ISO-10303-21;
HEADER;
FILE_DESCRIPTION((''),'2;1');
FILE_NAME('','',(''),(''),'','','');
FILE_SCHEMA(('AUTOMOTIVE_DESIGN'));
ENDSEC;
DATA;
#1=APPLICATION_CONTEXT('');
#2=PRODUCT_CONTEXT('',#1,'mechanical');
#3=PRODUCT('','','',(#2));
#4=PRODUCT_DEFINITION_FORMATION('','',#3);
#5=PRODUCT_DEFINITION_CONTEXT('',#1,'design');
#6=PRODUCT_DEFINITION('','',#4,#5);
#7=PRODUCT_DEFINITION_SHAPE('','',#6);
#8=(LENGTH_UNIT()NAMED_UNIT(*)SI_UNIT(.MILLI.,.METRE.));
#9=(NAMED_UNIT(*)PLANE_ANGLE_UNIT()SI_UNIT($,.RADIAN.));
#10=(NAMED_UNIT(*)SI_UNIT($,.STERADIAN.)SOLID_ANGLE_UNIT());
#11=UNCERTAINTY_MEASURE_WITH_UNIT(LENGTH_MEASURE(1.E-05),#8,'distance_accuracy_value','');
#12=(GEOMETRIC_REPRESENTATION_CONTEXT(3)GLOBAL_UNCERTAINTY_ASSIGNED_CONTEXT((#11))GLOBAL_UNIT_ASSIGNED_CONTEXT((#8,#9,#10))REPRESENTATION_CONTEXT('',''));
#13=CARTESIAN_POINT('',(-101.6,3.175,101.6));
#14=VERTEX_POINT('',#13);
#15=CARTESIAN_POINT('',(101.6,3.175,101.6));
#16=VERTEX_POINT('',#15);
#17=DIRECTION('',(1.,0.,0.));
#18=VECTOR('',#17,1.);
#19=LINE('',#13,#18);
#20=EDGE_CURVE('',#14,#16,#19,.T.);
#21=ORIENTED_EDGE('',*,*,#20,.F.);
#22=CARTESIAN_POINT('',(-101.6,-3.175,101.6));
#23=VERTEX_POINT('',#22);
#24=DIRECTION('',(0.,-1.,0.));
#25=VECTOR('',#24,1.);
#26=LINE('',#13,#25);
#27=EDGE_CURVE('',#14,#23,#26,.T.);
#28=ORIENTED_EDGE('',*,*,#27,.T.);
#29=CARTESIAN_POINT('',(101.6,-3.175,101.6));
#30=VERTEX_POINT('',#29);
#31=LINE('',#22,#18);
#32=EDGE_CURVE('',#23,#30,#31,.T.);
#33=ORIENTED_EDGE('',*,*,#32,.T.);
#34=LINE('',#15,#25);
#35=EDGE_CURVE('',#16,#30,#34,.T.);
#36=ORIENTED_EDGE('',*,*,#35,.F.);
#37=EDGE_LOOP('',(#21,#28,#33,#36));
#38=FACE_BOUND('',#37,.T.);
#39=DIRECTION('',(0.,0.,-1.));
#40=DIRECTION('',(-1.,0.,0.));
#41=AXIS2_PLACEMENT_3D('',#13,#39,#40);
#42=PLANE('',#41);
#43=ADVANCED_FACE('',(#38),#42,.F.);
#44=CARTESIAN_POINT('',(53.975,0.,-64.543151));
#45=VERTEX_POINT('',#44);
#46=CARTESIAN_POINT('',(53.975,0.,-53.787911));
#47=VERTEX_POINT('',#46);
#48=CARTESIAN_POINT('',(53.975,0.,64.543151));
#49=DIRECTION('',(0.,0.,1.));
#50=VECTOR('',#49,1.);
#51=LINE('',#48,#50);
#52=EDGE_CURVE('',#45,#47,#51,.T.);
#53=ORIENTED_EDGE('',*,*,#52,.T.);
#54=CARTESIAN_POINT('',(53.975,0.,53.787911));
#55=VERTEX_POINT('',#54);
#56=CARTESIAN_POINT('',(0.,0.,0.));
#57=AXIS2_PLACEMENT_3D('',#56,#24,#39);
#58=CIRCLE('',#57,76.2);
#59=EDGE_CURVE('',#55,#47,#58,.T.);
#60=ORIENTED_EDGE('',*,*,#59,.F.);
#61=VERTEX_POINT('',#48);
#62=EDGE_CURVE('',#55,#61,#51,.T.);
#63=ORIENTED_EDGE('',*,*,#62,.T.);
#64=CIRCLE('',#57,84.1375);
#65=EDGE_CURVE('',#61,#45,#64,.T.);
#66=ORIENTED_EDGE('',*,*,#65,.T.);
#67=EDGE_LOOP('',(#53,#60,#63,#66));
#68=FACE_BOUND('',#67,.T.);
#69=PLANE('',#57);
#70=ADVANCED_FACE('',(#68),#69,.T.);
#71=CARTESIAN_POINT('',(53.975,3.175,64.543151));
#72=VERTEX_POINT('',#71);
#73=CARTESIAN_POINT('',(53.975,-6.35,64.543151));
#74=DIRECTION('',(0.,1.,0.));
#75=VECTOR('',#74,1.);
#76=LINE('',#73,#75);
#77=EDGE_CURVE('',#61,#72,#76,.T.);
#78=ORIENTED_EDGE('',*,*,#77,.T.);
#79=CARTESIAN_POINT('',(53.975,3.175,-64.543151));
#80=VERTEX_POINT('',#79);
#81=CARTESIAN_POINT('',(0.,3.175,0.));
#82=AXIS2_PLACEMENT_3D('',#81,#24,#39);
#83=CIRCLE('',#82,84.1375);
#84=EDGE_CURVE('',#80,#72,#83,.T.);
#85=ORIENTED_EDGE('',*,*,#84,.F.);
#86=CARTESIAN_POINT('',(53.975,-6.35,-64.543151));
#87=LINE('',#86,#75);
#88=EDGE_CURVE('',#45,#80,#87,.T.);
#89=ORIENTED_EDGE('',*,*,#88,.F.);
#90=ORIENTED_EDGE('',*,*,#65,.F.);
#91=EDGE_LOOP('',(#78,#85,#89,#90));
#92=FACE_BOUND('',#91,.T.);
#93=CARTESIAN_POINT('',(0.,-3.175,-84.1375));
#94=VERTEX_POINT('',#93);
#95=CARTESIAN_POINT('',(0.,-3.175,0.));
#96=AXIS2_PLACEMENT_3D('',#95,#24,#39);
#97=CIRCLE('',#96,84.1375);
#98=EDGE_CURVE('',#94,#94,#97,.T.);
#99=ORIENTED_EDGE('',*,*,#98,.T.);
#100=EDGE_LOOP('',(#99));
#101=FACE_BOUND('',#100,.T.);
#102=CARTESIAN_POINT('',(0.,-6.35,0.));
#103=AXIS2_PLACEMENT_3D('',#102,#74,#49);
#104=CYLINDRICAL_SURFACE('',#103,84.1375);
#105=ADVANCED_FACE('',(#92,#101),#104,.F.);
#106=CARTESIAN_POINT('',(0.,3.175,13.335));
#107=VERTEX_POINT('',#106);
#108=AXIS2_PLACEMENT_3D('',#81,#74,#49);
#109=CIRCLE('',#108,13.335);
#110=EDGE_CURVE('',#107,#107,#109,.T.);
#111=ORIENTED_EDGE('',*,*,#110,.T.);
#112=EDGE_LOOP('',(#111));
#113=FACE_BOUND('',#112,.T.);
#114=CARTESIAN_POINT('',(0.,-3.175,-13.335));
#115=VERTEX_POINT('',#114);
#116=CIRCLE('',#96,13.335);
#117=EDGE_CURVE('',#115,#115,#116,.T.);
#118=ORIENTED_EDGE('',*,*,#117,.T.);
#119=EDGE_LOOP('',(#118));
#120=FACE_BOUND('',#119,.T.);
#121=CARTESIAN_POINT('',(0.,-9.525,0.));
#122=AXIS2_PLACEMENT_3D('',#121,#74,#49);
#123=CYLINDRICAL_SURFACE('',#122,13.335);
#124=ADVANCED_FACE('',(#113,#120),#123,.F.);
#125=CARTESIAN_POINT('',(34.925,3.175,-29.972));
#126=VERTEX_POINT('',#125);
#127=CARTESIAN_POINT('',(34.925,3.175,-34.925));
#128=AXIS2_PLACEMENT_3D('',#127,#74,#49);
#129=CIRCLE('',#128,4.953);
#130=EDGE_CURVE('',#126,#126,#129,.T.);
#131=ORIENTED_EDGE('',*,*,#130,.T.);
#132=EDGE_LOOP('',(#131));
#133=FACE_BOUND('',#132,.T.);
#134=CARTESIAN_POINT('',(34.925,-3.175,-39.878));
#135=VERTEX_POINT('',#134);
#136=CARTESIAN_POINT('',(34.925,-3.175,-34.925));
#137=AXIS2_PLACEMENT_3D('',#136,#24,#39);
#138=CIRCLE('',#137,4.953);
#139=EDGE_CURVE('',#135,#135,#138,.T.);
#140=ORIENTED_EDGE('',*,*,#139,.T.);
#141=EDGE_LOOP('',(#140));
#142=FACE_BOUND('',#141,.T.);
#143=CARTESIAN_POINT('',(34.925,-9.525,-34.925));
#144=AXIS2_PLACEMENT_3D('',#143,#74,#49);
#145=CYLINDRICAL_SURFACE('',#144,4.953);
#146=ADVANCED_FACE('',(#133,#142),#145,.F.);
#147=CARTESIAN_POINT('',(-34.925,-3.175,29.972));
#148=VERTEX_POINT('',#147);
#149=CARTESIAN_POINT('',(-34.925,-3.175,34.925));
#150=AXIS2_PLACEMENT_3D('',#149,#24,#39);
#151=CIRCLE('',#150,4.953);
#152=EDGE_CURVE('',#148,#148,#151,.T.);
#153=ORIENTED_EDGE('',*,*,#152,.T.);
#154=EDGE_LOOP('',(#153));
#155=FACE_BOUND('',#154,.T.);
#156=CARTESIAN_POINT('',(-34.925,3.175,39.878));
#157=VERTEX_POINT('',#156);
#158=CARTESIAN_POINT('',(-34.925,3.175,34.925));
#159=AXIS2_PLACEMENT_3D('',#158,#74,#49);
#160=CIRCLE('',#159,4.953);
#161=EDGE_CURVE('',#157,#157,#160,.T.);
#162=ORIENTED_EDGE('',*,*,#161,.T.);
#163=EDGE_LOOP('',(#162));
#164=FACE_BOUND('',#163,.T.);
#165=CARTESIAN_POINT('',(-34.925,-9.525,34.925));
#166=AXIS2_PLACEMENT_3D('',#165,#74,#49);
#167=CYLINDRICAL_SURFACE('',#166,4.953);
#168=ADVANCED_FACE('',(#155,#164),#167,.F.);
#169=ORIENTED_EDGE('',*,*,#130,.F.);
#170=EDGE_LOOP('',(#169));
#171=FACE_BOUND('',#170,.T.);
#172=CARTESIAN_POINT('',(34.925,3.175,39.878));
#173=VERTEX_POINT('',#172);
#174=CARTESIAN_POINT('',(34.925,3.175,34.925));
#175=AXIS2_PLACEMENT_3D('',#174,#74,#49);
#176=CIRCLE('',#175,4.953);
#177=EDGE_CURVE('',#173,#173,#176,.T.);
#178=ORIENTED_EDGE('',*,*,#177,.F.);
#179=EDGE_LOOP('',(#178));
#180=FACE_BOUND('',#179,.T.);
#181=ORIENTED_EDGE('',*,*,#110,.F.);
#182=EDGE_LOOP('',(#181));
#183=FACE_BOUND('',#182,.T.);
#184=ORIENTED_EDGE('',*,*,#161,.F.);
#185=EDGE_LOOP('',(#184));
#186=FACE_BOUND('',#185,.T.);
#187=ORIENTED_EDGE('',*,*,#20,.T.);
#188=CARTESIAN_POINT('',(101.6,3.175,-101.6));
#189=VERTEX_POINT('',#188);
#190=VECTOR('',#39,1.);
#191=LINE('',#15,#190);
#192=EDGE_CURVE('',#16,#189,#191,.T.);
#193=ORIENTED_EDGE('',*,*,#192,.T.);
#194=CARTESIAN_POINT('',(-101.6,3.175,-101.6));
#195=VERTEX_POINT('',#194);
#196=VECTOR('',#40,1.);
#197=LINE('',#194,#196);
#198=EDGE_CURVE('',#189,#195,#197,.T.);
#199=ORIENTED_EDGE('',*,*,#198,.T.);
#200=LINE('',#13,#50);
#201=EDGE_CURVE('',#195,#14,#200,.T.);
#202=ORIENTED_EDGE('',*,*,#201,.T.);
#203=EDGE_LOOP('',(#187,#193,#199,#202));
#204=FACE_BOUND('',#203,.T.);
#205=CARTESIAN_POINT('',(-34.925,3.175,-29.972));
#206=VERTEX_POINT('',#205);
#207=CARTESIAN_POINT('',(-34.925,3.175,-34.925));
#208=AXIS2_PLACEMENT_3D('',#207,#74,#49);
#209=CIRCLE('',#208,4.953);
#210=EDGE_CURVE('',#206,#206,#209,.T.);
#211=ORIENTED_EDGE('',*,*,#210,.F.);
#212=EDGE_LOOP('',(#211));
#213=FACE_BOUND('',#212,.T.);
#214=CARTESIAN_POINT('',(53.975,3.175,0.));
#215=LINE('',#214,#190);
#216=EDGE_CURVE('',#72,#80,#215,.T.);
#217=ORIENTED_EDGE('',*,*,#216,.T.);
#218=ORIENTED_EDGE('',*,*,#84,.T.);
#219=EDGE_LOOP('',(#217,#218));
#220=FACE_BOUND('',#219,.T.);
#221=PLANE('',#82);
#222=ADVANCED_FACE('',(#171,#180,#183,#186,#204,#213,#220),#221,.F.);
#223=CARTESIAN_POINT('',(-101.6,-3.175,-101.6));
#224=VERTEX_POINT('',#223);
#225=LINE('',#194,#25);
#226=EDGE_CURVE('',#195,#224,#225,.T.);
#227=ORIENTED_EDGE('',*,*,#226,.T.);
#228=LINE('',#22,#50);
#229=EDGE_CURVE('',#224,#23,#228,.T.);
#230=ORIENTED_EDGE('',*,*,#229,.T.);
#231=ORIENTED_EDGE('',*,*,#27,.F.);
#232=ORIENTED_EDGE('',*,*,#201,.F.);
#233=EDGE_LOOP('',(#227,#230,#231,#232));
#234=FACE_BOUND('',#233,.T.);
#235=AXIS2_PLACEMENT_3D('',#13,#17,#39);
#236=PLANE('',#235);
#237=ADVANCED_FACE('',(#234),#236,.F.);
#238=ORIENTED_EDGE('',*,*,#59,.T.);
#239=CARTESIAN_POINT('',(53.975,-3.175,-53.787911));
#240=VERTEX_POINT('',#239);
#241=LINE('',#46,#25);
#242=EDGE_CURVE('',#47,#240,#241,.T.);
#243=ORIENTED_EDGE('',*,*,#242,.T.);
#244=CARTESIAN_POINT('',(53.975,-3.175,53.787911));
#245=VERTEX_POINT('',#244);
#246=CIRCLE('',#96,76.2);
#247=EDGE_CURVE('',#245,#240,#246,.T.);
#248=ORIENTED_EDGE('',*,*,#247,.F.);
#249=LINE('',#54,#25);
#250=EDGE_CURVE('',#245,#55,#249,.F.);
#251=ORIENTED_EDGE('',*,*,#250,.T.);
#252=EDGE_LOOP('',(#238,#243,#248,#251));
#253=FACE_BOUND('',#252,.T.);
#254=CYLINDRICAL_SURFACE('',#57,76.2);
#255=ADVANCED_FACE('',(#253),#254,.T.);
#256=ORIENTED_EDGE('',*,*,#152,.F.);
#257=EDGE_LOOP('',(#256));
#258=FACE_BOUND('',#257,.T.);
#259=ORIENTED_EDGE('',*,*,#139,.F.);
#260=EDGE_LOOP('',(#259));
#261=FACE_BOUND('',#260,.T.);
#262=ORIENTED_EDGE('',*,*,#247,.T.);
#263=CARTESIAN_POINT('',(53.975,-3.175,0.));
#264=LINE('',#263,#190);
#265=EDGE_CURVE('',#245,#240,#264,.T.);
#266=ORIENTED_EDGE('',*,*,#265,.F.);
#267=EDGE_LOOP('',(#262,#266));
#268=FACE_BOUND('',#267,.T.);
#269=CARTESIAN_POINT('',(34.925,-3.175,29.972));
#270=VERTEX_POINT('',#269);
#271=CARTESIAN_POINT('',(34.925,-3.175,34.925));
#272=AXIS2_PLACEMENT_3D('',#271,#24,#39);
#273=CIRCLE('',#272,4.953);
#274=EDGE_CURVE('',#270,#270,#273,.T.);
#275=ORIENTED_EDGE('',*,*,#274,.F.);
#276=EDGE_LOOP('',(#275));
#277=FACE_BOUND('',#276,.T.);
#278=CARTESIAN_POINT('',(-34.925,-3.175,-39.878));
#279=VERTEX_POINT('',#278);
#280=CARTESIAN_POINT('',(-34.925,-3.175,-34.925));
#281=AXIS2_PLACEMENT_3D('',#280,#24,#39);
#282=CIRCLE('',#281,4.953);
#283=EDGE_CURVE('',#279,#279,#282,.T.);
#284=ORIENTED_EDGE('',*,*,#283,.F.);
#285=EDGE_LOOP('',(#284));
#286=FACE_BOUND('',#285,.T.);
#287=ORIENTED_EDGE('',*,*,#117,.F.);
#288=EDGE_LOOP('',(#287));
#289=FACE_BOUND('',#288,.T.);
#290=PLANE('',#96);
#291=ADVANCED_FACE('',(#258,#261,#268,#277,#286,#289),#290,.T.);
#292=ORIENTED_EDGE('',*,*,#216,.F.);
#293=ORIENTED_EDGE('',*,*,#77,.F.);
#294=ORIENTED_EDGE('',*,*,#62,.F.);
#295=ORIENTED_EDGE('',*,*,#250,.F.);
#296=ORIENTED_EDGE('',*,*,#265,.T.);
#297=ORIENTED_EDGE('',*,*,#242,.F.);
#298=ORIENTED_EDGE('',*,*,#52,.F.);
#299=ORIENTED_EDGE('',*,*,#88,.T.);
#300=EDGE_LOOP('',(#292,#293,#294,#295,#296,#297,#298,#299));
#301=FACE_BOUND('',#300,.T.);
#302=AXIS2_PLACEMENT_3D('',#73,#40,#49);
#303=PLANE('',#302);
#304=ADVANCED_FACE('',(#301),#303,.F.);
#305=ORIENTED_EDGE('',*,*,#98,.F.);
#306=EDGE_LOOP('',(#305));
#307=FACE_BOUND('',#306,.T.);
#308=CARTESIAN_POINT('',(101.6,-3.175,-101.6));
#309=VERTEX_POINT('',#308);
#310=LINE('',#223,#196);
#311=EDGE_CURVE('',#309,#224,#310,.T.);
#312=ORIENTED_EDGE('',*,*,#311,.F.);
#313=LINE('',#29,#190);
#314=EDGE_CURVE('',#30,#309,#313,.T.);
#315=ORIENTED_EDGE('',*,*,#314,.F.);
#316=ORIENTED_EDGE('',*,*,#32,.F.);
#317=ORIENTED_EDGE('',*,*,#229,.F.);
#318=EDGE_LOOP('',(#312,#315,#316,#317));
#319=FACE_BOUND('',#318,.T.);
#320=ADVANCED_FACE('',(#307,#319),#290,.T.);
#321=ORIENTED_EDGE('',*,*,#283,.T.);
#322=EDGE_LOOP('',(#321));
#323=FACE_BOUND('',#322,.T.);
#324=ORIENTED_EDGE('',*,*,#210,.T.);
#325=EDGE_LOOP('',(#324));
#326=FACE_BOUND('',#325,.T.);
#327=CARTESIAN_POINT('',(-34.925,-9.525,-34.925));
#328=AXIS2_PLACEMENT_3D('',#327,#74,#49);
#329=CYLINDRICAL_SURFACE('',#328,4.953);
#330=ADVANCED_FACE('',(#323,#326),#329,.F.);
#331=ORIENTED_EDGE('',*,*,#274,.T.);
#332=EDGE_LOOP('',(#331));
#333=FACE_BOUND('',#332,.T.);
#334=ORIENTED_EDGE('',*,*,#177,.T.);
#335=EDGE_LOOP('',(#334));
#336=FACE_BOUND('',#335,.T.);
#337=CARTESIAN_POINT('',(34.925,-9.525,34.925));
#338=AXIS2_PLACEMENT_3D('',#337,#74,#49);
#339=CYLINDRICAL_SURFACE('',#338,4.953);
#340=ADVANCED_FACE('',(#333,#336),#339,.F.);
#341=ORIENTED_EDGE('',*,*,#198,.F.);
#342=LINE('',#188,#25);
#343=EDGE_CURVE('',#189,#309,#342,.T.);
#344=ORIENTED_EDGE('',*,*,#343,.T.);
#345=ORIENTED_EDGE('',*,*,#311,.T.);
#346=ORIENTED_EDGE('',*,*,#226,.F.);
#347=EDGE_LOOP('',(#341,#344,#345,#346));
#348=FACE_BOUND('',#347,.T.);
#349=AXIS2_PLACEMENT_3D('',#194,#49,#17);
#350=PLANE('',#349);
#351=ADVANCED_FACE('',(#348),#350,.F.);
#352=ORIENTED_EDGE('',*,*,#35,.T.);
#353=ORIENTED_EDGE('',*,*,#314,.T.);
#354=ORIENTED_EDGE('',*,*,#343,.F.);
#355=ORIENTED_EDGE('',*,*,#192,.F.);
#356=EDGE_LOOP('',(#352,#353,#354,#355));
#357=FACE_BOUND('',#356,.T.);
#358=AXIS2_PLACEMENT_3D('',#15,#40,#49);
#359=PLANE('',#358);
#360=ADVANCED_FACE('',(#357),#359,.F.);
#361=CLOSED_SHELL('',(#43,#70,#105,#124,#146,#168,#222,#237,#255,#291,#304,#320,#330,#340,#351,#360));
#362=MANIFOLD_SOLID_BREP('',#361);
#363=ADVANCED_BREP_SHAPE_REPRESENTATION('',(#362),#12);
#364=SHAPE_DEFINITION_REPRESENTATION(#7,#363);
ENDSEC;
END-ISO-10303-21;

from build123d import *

# Parameters (mm, degrees)
SKETCH1_W           = 203.2
SKETCH1_H           = 203.2
BOSS_EXTRUDE1_DEPTH = 3.175
CUT_EXTRUDE1_DEPTH  = 6.35
SKETCH3_R           = 4.953
SKETCH3_R_2         = 13.335
CUT_EXTRUDE2_DEPTH  = 12.7
CUT_EXTRUDE3_START  = -3.175
SKETCH4_R           = 84.1375
SKETCH4_R_2         = 76.2
CUT_EXTRUDE3_DEPTH  = 3.175


with BuildPart() as part:
    # Sketch1 → Boss-Extrude1 (new, symmetric)
    with BuildSketch(Plane(origin=(0, 0, 0), x_dir=(1, 0, 0), z_dir=(0, 1, 0))):
        Rectangle(SKETCH1_W, SKETCH1_H)
    extrude(amount=BOSS_EXTRUDE1_DEPTH, both=True)

    # Sketch2 → Cut-Extrude1 (cut, symmetric)
    with BuildSketch(Plane(origin=(0, 0, 0), x_dir=(1, 0, 0), z_dir=(0, 1, 0))):
        with BuildLine():
            Line((53.975, -64.543150537), (53.975, 64.543150537))
            ThreePointArc((53.975, 64.543150537), (84.1375, 0), (53.975, -64.543150537))
        make_face()
    extrude(amount=CUT_EXTRUDE1_DEPTH, both=True, mode=Mode.SUBTRACT)

    # Sketch3 → Cut-Extrude2 (cut)
    with BuildSketch(Plane(origin=(0, 3.175, 0), x_dir=(1, 0, 0), z_dir=(0, 1, 0))):
        with Locations(Location((-34.925, -34.925, 0), (0, 0, 270))):
            Circle(SKETCH3_R)
        with Locations(Location((-34.925, 34.925, 0), (0, 0, 270))):
            Circle(SKETCH3_R)
        with Locations(Location((34.925, 34.925, 0), (0, 0, 270))):
            Circle(SKETCH3_R)
        with Locations(Location((34.925, -34.925, 0), (0, 0, 270))):
            Circle(SKETCH3_R)
        with Locations(Location((0, 0, 0), (0, 0, 270))):
            Circle(SKETCH3_R_2)
    extrude(amount=-CUT_EXTRUDE2_DEPTH, mode=Mode.SUBTRACT)

    # Sketch4 → Cut-Extrude3 (cut)
    with BuildSketch(Plane.XZ.offset(3.175).offset(CUT_EXTRUDE3_START)):
        with Locations(Location((0, 0, 0), (0, 0, 50.095533509))):
            Circle(SKETCH4_R)
        Circle(SKETCH4_R_2, mode=Mode.SUBTRACT)
    extrude(amount=CUT_EXTRUDE3_DEPTH, mode=Mode.SUBTRACT)


solid = part.part
